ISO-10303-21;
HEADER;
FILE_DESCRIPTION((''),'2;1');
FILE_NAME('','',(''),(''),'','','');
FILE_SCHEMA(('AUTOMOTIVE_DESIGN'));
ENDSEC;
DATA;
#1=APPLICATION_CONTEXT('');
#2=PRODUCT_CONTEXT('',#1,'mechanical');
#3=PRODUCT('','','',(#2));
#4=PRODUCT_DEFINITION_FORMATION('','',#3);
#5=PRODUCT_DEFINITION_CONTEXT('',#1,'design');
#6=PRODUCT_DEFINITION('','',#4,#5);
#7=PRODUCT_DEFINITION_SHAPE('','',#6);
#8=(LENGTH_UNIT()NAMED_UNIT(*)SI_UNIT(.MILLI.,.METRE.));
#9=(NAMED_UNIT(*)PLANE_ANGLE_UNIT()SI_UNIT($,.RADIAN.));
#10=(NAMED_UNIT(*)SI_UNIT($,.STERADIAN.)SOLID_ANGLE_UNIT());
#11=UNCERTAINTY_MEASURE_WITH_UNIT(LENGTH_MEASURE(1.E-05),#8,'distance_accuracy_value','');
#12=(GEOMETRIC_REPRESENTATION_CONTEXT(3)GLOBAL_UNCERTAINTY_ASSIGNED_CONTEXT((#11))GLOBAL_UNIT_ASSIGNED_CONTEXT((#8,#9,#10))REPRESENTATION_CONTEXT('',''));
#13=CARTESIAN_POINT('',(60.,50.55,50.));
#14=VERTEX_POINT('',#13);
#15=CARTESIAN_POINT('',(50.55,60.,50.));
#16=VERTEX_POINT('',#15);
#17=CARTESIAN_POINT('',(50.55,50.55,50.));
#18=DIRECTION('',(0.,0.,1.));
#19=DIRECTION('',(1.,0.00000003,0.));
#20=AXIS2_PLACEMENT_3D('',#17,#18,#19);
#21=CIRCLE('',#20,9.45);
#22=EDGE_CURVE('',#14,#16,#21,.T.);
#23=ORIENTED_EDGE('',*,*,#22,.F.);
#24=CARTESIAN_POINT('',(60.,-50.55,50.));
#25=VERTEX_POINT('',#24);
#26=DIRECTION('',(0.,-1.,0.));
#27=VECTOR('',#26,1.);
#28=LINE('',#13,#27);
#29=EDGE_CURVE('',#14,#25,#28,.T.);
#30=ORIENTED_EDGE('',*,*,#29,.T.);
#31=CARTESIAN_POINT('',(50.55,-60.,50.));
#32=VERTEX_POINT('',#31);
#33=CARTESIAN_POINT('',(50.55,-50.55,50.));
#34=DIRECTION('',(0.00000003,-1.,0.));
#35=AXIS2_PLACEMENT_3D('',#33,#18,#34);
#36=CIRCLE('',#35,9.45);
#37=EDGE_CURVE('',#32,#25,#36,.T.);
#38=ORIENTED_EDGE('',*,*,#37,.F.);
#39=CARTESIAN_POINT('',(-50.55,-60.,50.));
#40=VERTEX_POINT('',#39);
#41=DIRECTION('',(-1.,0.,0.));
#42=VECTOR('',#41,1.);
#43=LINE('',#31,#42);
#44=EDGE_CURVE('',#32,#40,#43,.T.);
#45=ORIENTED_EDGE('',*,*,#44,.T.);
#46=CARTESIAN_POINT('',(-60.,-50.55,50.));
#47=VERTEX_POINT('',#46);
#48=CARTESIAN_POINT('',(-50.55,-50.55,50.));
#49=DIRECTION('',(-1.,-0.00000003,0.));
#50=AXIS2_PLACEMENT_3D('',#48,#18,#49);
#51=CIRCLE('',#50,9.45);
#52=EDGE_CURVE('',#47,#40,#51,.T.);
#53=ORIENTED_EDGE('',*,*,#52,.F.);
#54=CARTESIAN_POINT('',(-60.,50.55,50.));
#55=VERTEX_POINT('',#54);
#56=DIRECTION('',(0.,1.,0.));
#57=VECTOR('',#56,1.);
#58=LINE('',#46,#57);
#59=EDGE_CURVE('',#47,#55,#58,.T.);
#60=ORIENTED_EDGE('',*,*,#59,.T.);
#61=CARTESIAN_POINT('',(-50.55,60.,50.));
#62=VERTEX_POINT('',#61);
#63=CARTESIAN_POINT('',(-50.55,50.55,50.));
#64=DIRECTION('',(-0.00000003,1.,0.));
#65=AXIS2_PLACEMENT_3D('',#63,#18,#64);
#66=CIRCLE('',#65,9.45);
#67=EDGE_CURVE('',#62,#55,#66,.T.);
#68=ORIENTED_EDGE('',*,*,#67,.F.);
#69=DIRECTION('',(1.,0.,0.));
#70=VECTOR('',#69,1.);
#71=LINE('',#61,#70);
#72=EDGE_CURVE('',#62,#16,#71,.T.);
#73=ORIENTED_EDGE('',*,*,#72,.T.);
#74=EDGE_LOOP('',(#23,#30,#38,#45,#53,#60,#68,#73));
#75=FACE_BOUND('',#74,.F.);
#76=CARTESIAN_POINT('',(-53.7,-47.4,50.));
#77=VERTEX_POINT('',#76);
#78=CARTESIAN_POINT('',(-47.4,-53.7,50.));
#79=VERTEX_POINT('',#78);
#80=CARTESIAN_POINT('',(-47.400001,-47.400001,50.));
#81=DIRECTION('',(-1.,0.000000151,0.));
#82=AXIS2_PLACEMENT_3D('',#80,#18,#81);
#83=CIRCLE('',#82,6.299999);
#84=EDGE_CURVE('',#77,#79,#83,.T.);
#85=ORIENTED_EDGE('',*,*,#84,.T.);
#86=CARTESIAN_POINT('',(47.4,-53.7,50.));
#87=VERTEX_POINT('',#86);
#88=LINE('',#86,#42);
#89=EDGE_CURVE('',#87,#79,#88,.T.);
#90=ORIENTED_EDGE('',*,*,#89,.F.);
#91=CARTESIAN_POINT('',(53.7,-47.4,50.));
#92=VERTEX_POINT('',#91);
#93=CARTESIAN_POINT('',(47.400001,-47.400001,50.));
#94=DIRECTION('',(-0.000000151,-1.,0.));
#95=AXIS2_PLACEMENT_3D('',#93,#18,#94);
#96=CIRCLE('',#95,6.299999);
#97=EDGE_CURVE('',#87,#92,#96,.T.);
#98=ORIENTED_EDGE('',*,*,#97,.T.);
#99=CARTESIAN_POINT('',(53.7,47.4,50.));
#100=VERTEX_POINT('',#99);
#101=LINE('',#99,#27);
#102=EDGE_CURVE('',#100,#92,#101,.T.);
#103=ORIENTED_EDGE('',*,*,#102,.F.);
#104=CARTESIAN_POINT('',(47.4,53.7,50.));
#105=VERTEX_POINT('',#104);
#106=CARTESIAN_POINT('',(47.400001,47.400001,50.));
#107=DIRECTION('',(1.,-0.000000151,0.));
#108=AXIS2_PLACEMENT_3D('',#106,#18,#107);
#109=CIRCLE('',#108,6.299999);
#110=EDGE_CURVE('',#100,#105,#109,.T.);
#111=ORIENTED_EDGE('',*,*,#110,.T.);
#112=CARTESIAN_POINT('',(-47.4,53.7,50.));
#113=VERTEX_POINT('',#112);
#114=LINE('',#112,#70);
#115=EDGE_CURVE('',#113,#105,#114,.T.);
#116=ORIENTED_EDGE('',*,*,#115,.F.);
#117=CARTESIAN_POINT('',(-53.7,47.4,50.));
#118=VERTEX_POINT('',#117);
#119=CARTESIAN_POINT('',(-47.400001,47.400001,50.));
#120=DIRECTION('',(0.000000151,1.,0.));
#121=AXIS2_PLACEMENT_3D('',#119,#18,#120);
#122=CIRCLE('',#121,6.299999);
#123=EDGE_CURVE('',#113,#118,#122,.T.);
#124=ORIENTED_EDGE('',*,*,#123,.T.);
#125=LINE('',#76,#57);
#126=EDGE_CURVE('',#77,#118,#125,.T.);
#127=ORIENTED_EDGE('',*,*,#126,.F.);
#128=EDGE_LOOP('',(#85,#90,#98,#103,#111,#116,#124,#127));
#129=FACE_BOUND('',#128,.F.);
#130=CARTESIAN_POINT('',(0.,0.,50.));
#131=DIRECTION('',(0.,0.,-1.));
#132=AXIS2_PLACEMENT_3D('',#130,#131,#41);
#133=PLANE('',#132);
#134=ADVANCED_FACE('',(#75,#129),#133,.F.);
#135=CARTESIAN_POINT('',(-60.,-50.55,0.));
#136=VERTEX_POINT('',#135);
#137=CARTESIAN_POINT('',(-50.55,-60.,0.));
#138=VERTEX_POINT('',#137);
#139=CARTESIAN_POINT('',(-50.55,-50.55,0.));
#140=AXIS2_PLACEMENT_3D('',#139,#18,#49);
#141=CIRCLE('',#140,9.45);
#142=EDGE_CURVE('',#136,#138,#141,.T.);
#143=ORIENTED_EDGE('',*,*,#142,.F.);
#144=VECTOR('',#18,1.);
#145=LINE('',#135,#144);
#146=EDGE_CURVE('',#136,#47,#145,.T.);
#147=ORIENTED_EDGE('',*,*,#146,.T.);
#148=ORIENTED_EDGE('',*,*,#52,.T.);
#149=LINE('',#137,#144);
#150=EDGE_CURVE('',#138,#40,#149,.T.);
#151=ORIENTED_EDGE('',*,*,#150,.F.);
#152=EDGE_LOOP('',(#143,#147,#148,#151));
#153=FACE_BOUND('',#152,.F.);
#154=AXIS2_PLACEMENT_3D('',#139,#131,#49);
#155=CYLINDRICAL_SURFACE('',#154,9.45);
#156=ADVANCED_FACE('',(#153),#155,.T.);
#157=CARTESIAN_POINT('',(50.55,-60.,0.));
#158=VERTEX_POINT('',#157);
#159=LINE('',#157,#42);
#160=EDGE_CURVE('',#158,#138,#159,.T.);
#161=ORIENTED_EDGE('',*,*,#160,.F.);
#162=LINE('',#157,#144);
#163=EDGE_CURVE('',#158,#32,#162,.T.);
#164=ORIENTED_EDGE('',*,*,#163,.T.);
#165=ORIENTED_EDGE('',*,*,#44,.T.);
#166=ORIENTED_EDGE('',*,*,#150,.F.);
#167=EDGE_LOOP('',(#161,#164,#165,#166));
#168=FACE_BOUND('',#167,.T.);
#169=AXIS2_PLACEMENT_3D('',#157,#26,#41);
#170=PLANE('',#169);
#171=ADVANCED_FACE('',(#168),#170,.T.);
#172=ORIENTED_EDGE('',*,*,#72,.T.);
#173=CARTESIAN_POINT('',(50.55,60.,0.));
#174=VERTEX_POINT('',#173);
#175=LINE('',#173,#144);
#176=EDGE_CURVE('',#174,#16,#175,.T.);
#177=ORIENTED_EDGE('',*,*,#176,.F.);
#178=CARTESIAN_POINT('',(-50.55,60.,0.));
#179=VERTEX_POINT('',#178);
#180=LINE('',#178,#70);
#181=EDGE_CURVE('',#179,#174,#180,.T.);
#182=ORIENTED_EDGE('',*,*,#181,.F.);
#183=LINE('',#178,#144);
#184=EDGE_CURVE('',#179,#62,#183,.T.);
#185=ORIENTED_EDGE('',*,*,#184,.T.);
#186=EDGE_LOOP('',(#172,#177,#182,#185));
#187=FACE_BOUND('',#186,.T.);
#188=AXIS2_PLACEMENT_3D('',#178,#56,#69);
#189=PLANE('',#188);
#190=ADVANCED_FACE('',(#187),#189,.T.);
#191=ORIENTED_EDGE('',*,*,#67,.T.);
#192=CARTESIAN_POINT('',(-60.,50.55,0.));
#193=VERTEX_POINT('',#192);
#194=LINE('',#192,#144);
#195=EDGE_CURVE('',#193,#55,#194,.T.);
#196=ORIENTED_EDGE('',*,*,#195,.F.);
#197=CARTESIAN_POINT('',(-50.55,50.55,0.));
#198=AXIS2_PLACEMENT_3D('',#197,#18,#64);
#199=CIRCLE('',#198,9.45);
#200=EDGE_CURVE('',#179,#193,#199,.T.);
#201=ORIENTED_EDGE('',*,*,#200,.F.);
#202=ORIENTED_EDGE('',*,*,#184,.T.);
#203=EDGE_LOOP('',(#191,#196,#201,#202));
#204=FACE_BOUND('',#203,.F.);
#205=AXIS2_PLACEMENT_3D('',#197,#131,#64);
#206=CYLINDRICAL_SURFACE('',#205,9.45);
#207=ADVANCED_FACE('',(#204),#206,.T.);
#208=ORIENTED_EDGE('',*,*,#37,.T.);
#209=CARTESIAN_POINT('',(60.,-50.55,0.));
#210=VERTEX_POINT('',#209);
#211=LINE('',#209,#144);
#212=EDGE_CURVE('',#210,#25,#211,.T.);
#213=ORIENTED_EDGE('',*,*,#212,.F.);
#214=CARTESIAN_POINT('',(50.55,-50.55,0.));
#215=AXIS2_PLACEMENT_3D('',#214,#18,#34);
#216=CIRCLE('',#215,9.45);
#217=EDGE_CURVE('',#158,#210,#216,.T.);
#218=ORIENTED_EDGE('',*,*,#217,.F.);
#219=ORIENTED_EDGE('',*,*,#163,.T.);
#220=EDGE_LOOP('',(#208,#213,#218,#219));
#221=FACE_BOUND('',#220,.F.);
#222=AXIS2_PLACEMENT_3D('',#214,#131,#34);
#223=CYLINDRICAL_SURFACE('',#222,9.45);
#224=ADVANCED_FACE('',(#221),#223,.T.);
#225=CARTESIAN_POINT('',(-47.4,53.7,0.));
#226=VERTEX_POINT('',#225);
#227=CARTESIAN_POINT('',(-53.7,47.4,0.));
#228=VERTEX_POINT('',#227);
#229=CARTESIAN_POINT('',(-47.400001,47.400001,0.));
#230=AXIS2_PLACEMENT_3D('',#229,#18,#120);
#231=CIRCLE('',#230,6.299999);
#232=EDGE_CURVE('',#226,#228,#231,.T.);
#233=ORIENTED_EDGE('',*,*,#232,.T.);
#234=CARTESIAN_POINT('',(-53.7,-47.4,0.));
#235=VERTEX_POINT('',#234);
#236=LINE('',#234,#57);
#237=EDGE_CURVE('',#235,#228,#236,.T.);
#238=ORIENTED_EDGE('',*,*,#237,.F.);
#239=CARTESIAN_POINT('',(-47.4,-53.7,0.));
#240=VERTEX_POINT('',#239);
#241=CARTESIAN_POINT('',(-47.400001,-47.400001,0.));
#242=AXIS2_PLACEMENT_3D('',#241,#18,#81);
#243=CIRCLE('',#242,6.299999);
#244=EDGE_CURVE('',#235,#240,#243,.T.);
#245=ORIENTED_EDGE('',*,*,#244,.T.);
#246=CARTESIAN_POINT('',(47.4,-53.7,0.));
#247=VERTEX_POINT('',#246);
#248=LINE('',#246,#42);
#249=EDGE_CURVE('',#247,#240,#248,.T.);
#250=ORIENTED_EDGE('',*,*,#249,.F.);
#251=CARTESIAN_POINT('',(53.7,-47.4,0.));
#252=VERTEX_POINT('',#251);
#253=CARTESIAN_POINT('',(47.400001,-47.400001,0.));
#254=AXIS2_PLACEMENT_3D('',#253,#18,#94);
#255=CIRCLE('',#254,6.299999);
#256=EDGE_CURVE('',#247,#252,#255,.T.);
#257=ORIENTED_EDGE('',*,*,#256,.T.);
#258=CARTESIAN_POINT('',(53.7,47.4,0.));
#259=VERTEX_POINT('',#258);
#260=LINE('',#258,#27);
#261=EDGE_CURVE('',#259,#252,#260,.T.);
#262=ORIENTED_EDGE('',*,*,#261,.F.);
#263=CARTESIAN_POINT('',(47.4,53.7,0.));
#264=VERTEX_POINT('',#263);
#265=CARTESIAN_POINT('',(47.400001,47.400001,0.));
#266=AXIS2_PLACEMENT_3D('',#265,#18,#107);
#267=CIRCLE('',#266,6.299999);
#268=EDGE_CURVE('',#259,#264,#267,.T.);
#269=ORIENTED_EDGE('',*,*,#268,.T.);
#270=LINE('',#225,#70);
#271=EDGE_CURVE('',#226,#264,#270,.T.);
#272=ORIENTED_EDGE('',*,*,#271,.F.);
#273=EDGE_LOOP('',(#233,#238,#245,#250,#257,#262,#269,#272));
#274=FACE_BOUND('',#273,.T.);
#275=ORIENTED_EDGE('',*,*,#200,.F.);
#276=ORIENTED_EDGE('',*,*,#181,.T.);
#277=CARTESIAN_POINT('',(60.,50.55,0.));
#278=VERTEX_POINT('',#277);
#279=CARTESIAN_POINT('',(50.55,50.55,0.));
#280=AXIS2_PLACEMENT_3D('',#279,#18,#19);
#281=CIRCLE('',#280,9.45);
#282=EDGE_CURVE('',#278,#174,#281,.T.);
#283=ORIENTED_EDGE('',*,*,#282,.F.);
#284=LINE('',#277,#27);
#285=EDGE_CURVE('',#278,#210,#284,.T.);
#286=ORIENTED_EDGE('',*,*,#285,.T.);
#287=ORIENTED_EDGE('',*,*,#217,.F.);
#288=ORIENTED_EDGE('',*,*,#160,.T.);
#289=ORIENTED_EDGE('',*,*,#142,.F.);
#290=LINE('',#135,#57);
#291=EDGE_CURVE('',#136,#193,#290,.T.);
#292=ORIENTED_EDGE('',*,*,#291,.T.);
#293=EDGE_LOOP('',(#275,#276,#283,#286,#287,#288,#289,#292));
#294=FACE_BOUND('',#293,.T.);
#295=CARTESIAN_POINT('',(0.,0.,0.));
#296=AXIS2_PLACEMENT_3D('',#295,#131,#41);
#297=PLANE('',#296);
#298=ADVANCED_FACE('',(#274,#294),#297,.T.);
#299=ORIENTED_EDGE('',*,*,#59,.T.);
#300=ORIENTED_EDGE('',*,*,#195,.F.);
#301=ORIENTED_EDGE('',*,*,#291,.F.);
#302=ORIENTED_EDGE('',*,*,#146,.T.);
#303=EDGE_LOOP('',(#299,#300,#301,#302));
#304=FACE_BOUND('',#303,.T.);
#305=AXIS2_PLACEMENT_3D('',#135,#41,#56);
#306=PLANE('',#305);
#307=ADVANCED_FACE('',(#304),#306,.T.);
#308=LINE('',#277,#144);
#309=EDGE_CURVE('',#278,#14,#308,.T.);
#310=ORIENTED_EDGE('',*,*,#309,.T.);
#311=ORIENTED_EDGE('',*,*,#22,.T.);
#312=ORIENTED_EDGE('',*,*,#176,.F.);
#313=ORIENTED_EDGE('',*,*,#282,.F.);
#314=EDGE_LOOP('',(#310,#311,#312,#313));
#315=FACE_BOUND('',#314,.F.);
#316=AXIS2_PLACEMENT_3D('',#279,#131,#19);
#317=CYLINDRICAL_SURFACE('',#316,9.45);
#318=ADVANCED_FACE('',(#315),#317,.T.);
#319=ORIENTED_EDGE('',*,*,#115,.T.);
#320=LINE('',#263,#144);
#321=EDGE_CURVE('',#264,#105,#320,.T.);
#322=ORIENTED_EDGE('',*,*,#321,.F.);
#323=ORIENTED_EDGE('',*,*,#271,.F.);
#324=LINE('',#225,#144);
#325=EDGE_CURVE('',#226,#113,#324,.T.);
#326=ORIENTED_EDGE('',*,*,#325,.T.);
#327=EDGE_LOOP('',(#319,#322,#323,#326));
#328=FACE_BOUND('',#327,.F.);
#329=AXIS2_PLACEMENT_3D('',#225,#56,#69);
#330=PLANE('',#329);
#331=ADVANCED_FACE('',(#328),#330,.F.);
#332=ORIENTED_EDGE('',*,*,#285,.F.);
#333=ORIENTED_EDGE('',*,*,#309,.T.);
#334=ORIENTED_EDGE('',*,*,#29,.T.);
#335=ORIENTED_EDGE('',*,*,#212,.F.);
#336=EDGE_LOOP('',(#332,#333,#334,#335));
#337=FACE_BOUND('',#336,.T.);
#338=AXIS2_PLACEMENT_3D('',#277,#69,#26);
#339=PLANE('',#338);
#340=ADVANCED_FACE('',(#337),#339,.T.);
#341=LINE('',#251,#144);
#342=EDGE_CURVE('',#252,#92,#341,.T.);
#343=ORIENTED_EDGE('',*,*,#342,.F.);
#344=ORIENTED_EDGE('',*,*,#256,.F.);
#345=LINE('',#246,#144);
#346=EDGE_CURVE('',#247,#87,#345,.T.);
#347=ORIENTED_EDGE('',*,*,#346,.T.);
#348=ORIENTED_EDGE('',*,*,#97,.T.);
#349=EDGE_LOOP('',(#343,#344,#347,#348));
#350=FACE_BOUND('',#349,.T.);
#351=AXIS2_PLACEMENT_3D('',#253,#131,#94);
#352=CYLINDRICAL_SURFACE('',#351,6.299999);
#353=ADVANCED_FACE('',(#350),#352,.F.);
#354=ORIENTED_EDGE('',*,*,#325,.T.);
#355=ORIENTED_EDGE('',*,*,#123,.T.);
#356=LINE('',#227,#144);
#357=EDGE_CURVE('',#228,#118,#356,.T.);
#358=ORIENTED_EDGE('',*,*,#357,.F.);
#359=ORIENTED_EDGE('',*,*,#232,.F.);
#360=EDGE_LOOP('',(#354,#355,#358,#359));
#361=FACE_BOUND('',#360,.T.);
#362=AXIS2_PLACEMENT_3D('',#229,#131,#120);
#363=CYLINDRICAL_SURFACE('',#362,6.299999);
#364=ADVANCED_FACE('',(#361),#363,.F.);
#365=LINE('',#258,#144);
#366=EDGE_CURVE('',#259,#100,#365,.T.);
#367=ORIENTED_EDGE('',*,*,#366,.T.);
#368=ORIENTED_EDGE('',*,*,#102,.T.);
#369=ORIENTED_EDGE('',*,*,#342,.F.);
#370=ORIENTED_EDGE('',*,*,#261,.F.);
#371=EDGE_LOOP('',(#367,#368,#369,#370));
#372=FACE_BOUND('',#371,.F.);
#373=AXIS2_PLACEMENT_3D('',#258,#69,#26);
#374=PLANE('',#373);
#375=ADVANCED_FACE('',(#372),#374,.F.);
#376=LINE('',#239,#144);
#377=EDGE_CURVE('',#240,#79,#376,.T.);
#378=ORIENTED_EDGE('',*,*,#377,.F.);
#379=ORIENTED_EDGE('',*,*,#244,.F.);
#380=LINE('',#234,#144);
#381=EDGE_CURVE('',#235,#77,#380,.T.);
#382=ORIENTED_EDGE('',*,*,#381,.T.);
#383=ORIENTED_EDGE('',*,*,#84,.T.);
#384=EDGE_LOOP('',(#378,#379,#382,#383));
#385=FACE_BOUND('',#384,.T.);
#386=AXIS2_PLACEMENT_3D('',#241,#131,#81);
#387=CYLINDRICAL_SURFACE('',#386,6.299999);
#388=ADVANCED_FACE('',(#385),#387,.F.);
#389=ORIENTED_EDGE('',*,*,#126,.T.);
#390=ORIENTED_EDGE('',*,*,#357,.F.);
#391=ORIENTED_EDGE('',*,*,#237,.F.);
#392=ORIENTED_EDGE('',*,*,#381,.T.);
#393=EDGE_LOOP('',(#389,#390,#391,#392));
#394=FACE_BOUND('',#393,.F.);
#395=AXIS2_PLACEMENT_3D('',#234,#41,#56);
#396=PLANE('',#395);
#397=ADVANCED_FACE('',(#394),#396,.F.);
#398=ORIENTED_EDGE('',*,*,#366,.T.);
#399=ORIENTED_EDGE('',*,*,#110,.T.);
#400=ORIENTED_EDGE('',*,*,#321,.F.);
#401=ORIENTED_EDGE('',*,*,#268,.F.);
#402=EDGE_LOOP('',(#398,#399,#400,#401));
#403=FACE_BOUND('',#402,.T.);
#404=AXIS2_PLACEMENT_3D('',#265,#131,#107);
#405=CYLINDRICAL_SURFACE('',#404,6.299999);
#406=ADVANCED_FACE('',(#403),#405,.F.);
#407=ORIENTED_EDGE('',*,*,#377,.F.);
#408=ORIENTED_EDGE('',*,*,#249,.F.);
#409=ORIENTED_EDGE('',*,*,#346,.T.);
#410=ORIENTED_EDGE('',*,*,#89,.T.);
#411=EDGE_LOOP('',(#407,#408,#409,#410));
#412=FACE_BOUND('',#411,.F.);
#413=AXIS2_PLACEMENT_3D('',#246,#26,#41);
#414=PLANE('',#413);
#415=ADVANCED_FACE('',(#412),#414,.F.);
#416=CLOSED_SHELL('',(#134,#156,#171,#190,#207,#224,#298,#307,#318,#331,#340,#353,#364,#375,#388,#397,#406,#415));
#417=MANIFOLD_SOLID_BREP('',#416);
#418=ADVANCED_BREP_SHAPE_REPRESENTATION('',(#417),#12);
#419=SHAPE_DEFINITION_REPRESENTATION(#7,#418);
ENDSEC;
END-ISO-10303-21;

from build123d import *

# Parameters (mm, degrees)
EXTRUDE_DEPTH = 50


with BuildPart() as part:
    # Sketch → Extrude (new body)
    with BuildSketch(Plane.XY):
        with BuildLine():
            Line((-50.55, 60), (50.55, 60))
            ThreePointArc((60, 50.55), (57.232159, 57.232159), (50.55, 60))
            Line((60, 50.55), (60, -50.55))
            ThreePointArc((50.55, -60), (57.232159, -57.232159), (60, -50.55))
            Line((50.55, -60), (-50.55, -60))
            ThreePointArc((-60, -50.55), (-57.232159, -57.232159), (-50.55, -60))
            Line((-60, -50.55), (-60, 50.55))
            ThreePointArc((-50.55, 60), (-57.232159, 57.232159), (-60, 50.55))
        make_face()
        with BuildLine():
            Line((-47.4, 53.7), (47.4, 53.7))
            ThreePointArc((53.7, 47.4), (51.854773, 51.854773), (47.4, 53.7))
            Line((53.7, 47.4), (53.7, -47.4))
            ThreePointArc((47.4, -53.7), (51.854773, -51.854773), (53.7, -47.4))
            Line((47.4, -53.7), (-47.4, -53.7))
            ThreePointArc((-53.7, -47.4), (-51.854773, -51.854773), (-47.4, -53.7))
            Line((-53.7, -47.4), (-53.7, 47.4))
            ThreePointArc((-47.4, 53.7), (-51.854773, 51.854773), (-53.7, 47.4))
        make_face(mode=Mode.SUBTRACT)
    extrude(amount=EXTRUDE_DEPTH)


solid = part.part
